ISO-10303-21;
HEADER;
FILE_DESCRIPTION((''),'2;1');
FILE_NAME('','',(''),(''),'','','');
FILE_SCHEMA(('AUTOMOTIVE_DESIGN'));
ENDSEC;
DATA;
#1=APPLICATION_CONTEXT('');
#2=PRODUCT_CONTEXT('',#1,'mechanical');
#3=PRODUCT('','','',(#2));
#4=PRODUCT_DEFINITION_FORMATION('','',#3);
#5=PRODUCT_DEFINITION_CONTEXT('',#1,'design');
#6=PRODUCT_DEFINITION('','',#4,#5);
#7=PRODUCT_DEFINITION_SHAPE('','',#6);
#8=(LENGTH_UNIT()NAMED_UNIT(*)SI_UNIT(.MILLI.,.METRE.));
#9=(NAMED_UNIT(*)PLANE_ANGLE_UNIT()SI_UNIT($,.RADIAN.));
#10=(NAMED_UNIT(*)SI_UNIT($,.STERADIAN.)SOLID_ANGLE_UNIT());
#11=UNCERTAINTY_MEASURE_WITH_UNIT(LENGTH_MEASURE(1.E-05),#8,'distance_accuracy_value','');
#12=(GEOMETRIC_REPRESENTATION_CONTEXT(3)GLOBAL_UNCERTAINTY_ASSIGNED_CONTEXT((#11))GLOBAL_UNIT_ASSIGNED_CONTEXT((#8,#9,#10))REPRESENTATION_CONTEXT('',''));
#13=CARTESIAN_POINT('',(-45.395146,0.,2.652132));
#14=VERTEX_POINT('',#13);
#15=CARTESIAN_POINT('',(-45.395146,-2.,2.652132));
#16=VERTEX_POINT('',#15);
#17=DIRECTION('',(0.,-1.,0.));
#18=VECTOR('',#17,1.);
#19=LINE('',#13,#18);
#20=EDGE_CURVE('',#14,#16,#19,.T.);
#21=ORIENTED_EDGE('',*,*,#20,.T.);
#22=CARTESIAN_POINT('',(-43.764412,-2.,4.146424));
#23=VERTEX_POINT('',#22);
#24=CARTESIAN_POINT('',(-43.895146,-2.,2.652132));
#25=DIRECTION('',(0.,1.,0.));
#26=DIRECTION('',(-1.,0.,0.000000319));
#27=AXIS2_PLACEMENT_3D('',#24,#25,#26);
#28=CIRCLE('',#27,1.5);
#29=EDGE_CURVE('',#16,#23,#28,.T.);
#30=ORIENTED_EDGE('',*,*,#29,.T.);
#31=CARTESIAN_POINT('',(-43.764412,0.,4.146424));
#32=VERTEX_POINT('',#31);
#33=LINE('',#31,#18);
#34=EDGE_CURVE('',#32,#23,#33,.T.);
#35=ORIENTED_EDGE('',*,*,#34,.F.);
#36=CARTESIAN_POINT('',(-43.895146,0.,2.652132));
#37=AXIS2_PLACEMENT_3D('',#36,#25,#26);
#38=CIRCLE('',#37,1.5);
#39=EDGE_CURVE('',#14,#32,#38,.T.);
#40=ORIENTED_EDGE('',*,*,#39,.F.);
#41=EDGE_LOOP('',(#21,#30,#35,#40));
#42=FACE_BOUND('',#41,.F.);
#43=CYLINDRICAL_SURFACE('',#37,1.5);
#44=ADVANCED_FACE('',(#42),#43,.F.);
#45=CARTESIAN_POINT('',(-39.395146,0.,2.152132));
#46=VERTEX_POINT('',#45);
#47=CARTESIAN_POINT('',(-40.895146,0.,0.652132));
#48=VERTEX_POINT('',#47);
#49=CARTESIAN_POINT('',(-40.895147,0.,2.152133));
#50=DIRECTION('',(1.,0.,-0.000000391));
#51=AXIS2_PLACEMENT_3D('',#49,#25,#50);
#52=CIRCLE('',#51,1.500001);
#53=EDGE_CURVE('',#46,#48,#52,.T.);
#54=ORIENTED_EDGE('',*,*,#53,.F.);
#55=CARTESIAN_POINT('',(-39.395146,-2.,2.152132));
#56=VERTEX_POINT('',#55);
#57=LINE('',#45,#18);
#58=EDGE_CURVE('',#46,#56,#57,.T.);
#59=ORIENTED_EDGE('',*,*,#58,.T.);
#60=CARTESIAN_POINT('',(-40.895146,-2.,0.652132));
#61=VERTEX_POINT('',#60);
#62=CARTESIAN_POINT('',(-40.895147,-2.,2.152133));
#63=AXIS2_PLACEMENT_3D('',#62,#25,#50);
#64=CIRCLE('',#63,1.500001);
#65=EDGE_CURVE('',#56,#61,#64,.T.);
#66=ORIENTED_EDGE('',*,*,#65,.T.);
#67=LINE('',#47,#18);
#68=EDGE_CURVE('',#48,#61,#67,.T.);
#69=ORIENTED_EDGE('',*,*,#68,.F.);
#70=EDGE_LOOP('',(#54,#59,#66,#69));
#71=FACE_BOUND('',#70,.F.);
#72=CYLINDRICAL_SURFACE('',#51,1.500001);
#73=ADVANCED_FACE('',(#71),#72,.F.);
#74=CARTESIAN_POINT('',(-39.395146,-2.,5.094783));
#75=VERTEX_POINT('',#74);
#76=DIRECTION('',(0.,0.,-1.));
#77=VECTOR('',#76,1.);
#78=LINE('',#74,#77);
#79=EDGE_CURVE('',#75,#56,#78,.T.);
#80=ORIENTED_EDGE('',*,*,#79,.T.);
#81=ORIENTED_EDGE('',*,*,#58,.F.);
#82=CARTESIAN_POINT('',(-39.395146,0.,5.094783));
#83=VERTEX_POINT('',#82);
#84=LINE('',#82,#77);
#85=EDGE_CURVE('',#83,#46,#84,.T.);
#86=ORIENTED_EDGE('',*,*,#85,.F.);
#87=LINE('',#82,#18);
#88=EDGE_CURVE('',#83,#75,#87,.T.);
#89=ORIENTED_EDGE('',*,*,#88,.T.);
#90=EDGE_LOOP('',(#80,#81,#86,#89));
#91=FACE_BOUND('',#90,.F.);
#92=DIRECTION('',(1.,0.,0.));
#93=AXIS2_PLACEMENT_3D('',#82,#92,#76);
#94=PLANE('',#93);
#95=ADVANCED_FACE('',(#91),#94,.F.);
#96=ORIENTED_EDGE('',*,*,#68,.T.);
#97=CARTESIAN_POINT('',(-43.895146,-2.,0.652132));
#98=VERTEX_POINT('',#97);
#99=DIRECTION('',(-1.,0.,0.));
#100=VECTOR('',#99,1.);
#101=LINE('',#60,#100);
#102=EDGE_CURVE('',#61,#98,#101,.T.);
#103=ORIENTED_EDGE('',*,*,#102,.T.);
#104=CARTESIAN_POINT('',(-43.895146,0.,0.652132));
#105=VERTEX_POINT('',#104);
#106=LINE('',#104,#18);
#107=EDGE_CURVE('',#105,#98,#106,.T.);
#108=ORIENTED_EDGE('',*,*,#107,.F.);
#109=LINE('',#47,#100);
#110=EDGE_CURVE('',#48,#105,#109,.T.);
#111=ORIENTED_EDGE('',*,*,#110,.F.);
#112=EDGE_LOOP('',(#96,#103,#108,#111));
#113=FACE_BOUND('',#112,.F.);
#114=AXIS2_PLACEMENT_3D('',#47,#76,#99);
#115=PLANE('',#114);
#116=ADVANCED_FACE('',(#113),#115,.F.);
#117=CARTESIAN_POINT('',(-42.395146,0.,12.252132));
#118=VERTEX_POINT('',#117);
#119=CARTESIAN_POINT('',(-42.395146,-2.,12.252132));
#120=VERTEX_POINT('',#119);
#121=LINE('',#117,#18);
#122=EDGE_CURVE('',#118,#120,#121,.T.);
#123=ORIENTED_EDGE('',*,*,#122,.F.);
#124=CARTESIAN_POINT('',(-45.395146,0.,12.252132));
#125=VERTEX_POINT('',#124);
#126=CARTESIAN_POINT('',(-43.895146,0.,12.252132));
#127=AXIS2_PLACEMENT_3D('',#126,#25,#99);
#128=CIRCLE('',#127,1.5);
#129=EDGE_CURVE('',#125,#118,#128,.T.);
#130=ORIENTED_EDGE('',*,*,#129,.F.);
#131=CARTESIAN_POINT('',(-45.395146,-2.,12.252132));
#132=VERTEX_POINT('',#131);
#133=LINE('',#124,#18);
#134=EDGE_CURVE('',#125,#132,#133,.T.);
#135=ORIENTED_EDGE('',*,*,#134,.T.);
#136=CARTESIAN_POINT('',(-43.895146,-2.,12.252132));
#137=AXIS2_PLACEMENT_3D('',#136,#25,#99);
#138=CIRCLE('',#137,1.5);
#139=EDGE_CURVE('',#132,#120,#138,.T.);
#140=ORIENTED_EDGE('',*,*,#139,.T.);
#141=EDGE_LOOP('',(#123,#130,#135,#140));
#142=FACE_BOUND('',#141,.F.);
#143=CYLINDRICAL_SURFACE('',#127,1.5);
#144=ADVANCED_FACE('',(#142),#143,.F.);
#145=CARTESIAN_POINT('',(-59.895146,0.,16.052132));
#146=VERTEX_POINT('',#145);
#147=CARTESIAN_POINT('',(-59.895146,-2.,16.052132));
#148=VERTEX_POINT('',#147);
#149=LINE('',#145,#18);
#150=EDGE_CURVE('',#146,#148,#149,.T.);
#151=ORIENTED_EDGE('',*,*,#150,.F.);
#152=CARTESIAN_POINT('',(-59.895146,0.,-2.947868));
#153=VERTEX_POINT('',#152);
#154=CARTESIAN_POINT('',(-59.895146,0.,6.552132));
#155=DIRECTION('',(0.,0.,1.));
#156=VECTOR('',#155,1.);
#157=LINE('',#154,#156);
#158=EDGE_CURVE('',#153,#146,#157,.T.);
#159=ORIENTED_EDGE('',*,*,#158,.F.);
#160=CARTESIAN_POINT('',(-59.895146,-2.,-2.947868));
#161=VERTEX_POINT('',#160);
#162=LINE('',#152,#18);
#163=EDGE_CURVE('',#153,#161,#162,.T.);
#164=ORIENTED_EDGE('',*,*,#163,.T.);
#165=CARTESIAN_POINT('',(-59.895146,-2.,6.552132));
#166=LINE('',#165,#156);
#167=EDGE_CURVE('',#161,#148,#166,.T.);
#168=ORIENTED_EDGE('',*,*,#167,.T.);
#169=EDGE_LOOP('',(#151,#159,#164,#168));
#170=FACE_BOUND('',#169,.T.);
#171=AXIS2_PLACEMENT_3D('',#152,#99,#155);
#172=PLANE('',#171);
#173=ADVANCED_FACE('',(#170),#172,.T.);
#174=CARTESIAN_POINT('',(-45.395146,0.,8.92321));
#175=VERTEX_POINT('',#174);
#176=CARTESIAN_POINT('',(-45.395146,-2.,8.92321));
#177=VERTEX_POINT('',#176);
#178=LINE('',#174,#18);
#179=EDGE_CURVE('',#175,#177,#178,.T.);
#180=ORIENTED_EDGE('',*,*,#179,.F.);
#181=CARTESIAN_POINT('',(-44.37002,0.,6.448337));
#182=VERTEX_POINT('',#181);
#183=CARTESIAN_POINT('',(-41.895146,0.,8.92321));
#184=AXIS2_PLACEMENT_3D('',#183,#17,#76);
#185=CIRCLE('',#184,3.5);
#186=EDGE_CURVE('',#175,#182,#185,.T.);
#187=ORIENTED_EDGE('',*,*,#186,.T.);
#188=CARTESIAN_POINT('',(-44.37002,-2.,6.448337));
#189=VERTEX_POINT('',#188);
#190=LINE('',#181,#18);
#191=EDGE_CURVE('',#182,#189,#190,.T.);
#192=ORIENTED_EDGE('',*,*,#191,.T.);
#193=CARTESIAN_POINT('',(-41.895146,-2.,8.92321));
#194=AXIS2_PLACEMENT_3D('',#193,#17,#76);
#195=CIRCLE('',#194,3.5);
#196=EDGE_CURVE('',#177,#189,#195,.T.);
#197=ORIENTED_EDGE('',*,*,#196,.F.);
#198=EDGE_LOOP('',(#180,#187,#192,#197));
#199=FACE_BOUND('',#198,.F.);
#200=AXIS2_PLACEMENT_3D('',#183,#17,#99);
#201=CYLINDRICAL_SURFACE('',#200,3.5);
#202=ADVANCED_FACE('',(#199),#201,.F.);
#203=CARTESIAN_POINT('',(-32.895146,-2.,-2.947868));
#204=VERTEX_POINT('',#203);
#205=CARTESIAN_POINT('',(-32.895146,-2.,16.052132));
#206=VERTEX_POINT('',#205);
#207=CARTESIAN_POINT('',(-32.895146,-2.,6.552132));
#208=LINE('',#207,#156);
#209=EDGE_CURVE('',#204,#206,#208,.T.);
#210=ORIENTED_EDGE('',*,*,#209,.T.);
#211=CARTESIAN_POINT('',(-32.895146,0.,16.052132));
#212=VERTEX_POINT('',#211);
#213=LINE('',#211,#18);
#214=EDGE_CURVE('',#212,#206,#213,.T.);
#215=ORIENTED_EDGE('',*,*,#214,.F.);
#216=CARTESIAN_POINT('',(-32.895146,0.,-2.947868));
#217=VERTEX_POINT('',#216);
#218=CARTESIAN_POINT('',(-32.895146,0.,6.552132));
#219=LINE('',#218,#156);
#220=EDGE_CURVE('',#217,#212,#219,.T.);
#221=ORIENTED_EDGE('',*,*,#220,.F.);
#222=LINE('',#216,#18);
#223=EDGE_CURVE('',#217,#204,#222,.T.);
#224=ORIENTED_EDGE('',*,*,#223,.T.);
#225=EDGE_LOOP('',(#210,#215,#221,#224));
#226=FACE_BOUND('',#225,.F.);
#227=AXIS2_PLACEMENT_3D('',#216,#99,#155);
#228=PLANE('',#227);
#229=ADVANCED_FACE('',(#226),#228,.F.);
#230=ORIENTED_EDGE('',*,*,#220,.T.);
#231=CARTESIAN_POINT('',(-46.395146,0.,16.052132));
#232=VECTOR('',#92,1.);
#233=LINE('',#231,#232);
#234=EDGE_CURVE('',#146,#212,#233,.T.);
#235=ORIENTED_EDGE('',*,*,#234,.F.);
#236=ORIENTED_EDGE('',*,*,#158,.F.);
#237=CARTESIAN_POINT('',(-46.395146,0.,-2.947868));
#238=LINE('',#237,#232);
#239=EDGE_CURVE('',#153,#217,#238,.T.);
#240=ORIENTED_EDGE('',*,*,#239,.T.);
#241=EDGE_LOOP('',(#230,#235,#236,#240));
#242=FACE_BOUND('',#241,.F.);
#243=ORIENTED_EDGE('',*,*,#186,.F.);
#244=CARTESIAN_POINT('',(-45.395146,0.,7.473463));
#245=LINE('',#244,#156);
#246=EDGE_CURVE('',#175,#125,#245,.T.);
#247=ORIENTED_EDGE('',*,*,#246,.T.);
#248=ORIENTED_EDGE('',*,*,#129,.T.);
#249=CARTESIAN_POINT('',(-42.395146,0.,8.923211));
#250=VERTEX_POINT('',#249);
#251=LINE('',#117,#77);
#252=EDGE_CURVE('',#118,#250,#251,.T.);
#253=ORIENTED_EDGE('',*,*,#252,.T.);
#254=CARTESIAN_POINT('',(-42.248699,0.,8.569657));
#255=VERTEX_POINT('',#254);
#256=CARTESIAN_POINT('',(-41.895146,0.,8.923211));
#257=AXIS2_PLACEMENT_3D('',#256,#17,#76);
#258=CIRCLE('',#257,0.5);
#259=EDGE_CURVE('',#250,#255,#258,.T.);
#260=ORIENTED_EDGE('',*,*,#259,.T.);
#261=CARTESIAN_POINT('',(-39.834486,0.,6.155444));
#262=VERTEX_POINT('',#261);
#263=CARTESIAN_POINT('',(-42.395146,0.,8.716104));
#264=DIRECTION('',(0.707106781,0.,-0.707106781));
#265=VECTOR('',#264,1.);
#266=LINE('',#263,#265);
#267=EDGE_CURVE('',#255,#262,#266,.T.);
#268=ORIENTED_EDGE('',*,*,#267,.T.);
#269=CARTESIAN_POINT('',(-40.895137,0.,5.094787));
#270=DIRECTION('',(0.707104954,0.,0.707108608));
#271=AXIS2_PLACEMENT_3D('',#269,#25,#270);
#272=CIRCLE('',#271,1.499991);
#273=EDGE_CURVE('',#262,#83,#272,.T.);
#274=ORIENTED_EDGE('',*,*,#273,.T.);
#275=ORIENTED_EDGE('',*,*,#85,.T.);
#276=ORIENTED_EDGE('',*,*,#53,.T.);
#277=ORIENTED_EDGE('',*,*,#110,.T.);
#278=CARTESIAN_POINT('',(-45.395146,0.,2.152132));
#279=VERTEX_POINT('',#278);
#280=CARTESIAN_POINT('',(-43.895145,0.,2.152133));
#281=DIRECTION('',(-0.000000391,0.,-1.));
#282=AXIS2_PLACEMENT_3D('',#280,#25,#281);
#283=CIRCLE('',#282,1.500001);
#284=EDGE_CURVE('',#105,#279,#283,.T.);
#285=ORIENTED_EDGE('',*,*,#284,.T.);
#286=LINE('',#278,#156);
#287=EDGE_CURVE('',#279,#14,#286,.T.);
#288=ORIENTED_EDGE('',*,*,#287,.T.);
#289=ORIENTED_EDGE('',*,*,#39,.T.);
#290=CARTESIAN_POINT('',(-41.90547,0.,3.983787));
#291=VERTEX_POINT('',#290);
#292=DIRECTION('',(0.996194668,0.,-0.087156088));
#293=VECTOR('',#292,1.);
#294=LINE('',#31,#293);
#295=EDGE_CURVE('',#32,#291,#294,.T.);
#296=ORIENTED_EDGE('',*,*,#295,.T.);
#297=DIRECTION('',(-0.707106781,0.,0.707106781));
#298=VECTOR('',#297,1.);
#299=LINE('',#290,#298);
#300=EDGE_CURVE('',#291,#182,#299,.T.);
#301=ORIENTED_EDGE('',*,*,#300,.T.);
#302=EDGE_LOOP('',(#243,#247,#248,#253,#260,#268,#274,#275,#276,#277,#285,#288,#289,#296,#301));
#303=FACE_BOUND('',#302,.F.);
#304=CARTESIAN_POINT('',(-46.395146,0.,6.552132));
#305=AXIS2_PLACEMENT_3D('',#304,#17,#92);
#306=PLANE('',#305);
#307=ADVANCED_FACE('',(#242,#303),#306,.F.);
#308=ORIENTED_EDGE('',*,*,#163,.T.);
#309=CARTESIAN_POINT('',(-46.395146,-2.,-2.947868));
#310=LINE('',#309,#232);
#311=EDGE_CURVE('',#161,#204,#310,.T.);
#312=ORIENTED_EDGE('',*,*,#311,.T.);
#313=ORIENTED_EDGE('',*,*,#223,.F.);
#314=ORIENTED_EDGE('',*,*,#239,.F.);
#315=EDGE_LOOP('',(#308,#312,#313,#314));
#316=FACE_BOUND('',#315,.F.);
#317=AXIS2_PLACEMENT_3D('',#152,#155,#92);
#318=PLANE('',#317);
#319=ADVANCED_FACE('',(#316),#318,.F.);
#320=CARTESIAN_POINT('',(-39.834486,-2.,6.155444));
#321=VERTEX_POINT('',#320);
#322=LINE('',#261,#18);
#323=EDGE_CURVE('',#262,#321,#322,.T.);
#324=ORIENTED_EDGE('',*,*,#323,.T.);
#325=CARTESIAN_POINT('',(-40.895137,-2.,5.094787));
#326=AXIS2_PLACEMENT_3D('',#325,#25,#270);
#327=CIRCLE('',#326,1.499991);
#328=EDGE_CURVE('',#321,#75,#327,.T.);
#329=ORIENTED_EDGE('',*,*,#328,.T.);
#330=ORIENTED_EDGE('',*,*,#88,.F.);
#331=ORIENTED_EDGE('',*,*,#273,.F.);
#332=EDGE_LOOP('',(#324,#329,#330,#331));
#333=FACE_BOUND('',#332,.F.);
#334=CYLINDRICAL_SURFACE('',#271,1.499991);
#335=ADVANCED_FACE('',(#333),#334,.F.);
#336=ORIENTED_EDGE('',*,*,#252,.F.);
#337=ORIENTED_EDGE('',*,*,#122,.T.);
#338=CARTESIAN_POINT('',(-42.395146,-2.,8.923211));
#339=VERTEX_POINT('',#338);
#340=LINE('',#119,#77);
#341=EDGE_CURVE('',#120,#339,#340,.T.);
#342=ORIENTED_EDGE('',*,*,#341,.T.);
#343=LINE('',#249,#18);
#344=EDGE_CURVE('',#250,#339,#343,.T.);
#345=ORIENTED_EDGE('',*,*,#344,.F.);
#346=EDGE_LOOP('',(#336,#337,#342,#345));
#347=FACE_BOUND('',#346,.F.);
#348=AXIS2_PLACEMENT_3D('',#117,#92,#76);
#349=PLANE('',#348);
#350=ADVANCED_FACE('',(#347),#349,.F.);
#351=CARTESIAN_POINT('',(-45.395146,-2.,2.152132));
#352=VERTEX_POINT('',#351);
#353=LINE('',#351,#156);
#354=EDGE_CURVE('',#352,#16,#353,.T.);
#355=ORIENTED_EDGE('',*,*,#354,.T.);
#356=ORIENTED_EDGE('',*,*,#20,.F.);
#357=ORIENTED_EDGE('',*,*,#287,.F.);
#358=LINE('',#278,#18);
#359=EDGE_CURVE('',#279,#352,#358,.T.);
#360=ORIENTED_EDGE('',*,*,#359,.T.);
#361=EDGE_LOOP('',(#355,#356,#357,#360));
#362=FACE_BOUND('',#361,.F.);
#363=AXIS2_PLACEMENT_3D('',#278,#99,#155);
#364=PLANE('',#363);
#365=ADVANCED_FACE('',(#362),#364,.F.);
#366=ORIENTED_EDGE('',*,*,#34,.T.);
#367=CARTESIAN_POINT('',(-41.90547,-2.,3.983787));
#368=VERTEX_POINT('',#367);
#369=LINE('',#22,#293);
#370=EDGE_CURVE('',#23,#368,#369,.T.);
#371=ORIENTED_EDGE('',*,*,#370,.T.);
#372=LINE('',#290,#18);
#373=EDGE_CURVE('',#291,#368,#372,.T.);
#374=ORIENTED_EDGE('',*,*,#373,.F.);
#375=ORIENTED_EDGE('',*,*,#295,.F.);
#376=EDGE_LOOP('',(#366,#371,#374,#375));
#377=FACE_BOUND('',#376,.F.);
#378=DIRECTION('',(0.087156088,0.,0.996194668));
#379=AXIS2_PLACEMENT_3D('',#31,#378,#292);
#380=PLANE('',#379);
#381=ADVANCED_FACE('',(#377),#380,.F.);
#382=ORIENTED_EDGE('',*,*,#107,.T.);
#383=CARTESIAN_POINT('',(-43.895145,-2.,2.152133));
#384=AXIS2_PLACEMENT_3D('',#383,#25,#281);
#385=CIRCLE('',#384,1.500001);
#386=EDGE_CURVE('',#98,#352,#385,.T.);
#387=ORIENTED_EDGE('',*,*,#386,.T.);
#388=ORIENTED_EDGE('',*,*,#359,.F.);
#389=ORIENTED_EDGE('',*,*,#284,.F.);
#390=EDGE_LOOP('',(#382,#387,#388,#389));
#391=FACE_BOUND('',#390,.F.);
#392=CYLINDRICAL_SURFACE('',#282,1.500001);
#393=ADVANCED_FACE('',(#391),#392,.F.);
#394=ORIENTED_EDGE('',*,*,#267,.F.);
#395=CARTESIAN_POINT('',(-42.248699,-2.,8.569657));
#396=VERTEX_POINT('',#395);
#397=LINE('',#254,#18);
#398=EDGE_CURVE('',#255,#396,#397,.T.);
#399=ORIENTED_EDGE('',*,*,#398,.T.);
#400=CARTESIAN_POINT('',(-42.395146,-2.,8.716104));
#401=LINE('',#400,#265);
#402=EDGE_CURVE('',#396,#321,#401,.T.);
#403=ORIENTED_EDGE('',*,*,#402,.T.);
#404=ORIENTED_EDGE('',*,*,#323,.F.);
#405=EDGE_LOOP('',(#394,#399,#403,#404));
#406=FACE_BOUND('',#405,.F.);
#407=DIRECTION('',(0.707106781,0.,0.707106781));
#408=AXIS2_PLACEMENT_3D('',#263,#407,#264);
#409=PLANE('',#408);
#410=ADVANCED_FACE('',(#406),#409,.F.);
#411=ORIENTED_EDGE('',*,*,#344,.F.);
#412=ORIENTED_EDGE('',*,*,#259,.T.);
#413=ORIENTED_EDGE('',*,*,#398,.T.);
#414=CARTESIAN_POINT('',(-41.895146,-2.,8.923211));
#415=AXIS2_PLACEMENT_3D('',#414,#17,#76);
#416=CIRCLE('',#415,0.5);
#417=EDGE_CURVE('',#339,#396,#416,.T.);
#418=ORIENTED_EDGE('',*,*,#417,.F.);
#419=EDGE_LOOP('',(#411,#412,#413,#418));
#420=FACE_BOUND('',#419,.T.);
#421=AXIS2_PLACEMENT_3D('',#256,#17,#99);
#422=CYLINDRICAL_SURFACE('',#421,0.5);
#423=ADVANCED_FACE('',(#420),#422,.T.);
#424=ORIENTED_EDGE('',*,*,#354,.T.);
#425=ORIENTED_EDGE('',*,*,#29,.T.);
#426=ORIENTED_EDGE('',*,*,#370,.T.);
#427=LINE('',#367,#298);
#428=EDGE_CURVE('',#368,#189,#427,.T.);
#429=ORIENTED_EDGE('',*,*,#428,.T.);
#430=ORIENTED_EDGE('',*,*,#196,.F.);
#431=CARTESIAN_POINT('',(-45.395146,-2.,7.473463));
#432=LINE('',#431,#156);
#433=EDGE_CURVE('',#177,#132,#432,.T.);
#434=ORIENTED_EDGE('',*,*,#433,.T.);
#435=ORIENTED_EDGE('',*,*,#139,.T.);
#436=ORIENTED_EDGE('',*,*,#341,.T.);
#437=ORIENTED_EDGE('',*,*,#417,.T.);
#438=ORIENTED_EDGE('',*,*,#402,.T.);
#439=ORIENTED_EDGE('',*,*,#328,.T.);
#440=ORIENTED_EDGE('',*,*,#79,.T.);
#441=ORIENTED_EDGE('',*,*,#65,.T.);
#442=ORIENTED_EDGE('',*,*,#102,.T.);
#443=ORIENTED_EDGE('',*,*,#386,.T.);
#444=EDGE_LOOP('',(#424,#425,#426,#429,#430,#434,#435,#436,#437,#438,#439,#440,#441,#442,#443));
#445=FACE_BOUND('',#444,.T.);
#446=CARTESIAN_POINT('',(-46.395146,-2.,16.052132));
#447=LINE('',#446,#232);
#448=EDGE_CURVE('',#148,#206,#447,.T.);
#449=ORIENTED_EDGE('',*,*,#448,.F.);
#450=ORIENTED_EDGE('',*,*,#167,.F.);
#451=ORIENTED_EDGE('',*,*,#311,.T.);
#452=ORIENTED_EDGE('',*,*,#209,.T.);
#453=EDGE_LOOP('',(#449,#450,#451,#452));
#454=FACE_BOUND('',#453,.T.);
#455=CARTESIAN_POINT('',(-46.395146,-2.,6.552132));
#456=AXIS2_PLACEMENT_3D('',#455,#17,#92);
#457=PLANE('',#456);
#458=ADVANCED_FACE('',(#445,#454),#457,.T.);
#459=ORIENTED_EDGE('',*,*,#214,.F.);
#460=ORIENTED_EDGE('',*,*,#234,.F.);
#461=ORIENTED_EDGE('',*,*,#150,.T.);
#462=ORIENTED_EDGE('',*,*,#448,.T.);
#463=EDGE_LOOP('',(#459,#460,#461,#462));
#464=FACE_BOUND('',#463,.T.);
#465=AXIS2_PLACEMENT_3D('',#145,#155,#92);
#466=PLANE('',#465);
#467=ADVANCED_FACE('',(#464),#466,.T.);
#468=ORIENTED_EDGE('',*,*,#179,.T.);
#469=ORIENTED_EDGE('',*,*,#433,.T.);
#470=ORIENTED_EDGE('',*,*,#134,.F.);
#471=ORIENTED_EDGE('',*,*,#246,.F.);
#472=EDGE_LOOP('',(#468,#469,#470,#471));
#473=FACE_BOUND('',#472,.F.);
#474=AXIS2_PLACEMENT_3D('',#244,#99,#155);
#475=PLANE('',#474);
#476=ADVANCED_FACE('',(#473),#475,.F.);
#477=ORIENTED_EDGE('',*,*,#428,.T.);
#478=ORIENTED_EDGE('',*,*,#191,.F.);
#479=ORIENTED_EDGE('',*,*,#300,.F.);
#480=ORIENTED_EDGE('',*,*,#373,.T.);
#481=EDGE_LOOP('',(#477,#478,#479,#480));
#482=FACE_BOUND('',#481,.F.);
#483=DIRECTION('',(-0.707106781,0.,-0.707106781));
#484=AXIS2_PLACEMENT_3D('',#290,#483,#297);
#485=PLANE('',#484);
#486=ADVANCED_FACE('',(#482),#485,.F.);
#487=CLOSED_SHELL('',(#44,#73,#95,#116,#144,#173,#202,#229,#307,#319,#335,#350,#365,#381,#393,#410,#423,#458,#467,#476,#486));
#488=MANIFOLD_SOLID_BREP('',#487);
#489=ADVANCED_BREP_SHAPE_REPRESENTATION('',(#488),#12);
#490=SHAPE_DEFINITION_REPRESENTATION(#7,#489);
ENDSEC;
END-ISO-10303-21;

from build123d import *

# Parameters (mm, degrees)
F0_W     = 27
F0_H     = 19
F1_DEPTH = 2
F2_R     = 3.5
F3_R     = 0.5


with BuildPart() as f1:
    # F0 (on Front) → F1 (new body)
    with BuildSketch(Plane.XZ):
        with Locations((-46.395146, 6.552132)):
            Rectangle(F0_W, F0_H)
        with BuildLine():
            ThreePointArc((-45.395146, 12.252132), (-43.895146, 13.752132), (-42.395146, 12.252132))
            Line((-42.395146, 12.252132), (-42.395146, 8.716104))
            Line((-42.395146, 8.716104), (-39.834486, 6.155444))
            ThreePointArc((-39.834486, 6.155444), (-39.509326, 5.668809), (-39.395146, 5.094783))
            Line((-39.395146, 5.094783), (-39.395146, 2.152132))
            ThreePointArc((-39.395146, 2.152132), (-39.834486, 1.091472), (-40.895146, 0.652132))
            Line((-40.895146, 0.652132), (-43.895146, 0.652132))
            ThreePointArc((-43.895146, 0.652132), (-44.955806, 1.091472), (-45.395146, 2.152132))
            Line((-45.395146, 2.152132), (-45.395146, 2.652132))
            ThreePointArc((-45.395146, 2.652132), (-44.908531, 3.758048), (-43.764412, 4.146424))
            Line((-43.764412, 4.146424), (-41.90547, 3.983787))
            Line((-41.90547, 3.983787), (-41.955806, 4.034123))
            Line((-41.955806, 4.034123), (-45.395146, 7.473463))
            Line((-45.395146, 7.473463), (-45.395146, 12.252132))
        make_face(mode=Mode.SUBTRACT)
    extrude(amount=F1_DEPTH)

    # F2
    f2_edges = [f1.edges().sort_by_distance(p)[0] for p in [
        (-45.395146, -1, 7.473463),
    ]]
    fillet(f2_edges, radius=F2_R)

    # F3
    f3_edges = [f1.edges().sort_by_distance(p)[0] for p in [
        (-42.395146, -1, 8.716104),
    ]]
    fillet(f3_edges, radius=F3_R)


solid = f1.part
